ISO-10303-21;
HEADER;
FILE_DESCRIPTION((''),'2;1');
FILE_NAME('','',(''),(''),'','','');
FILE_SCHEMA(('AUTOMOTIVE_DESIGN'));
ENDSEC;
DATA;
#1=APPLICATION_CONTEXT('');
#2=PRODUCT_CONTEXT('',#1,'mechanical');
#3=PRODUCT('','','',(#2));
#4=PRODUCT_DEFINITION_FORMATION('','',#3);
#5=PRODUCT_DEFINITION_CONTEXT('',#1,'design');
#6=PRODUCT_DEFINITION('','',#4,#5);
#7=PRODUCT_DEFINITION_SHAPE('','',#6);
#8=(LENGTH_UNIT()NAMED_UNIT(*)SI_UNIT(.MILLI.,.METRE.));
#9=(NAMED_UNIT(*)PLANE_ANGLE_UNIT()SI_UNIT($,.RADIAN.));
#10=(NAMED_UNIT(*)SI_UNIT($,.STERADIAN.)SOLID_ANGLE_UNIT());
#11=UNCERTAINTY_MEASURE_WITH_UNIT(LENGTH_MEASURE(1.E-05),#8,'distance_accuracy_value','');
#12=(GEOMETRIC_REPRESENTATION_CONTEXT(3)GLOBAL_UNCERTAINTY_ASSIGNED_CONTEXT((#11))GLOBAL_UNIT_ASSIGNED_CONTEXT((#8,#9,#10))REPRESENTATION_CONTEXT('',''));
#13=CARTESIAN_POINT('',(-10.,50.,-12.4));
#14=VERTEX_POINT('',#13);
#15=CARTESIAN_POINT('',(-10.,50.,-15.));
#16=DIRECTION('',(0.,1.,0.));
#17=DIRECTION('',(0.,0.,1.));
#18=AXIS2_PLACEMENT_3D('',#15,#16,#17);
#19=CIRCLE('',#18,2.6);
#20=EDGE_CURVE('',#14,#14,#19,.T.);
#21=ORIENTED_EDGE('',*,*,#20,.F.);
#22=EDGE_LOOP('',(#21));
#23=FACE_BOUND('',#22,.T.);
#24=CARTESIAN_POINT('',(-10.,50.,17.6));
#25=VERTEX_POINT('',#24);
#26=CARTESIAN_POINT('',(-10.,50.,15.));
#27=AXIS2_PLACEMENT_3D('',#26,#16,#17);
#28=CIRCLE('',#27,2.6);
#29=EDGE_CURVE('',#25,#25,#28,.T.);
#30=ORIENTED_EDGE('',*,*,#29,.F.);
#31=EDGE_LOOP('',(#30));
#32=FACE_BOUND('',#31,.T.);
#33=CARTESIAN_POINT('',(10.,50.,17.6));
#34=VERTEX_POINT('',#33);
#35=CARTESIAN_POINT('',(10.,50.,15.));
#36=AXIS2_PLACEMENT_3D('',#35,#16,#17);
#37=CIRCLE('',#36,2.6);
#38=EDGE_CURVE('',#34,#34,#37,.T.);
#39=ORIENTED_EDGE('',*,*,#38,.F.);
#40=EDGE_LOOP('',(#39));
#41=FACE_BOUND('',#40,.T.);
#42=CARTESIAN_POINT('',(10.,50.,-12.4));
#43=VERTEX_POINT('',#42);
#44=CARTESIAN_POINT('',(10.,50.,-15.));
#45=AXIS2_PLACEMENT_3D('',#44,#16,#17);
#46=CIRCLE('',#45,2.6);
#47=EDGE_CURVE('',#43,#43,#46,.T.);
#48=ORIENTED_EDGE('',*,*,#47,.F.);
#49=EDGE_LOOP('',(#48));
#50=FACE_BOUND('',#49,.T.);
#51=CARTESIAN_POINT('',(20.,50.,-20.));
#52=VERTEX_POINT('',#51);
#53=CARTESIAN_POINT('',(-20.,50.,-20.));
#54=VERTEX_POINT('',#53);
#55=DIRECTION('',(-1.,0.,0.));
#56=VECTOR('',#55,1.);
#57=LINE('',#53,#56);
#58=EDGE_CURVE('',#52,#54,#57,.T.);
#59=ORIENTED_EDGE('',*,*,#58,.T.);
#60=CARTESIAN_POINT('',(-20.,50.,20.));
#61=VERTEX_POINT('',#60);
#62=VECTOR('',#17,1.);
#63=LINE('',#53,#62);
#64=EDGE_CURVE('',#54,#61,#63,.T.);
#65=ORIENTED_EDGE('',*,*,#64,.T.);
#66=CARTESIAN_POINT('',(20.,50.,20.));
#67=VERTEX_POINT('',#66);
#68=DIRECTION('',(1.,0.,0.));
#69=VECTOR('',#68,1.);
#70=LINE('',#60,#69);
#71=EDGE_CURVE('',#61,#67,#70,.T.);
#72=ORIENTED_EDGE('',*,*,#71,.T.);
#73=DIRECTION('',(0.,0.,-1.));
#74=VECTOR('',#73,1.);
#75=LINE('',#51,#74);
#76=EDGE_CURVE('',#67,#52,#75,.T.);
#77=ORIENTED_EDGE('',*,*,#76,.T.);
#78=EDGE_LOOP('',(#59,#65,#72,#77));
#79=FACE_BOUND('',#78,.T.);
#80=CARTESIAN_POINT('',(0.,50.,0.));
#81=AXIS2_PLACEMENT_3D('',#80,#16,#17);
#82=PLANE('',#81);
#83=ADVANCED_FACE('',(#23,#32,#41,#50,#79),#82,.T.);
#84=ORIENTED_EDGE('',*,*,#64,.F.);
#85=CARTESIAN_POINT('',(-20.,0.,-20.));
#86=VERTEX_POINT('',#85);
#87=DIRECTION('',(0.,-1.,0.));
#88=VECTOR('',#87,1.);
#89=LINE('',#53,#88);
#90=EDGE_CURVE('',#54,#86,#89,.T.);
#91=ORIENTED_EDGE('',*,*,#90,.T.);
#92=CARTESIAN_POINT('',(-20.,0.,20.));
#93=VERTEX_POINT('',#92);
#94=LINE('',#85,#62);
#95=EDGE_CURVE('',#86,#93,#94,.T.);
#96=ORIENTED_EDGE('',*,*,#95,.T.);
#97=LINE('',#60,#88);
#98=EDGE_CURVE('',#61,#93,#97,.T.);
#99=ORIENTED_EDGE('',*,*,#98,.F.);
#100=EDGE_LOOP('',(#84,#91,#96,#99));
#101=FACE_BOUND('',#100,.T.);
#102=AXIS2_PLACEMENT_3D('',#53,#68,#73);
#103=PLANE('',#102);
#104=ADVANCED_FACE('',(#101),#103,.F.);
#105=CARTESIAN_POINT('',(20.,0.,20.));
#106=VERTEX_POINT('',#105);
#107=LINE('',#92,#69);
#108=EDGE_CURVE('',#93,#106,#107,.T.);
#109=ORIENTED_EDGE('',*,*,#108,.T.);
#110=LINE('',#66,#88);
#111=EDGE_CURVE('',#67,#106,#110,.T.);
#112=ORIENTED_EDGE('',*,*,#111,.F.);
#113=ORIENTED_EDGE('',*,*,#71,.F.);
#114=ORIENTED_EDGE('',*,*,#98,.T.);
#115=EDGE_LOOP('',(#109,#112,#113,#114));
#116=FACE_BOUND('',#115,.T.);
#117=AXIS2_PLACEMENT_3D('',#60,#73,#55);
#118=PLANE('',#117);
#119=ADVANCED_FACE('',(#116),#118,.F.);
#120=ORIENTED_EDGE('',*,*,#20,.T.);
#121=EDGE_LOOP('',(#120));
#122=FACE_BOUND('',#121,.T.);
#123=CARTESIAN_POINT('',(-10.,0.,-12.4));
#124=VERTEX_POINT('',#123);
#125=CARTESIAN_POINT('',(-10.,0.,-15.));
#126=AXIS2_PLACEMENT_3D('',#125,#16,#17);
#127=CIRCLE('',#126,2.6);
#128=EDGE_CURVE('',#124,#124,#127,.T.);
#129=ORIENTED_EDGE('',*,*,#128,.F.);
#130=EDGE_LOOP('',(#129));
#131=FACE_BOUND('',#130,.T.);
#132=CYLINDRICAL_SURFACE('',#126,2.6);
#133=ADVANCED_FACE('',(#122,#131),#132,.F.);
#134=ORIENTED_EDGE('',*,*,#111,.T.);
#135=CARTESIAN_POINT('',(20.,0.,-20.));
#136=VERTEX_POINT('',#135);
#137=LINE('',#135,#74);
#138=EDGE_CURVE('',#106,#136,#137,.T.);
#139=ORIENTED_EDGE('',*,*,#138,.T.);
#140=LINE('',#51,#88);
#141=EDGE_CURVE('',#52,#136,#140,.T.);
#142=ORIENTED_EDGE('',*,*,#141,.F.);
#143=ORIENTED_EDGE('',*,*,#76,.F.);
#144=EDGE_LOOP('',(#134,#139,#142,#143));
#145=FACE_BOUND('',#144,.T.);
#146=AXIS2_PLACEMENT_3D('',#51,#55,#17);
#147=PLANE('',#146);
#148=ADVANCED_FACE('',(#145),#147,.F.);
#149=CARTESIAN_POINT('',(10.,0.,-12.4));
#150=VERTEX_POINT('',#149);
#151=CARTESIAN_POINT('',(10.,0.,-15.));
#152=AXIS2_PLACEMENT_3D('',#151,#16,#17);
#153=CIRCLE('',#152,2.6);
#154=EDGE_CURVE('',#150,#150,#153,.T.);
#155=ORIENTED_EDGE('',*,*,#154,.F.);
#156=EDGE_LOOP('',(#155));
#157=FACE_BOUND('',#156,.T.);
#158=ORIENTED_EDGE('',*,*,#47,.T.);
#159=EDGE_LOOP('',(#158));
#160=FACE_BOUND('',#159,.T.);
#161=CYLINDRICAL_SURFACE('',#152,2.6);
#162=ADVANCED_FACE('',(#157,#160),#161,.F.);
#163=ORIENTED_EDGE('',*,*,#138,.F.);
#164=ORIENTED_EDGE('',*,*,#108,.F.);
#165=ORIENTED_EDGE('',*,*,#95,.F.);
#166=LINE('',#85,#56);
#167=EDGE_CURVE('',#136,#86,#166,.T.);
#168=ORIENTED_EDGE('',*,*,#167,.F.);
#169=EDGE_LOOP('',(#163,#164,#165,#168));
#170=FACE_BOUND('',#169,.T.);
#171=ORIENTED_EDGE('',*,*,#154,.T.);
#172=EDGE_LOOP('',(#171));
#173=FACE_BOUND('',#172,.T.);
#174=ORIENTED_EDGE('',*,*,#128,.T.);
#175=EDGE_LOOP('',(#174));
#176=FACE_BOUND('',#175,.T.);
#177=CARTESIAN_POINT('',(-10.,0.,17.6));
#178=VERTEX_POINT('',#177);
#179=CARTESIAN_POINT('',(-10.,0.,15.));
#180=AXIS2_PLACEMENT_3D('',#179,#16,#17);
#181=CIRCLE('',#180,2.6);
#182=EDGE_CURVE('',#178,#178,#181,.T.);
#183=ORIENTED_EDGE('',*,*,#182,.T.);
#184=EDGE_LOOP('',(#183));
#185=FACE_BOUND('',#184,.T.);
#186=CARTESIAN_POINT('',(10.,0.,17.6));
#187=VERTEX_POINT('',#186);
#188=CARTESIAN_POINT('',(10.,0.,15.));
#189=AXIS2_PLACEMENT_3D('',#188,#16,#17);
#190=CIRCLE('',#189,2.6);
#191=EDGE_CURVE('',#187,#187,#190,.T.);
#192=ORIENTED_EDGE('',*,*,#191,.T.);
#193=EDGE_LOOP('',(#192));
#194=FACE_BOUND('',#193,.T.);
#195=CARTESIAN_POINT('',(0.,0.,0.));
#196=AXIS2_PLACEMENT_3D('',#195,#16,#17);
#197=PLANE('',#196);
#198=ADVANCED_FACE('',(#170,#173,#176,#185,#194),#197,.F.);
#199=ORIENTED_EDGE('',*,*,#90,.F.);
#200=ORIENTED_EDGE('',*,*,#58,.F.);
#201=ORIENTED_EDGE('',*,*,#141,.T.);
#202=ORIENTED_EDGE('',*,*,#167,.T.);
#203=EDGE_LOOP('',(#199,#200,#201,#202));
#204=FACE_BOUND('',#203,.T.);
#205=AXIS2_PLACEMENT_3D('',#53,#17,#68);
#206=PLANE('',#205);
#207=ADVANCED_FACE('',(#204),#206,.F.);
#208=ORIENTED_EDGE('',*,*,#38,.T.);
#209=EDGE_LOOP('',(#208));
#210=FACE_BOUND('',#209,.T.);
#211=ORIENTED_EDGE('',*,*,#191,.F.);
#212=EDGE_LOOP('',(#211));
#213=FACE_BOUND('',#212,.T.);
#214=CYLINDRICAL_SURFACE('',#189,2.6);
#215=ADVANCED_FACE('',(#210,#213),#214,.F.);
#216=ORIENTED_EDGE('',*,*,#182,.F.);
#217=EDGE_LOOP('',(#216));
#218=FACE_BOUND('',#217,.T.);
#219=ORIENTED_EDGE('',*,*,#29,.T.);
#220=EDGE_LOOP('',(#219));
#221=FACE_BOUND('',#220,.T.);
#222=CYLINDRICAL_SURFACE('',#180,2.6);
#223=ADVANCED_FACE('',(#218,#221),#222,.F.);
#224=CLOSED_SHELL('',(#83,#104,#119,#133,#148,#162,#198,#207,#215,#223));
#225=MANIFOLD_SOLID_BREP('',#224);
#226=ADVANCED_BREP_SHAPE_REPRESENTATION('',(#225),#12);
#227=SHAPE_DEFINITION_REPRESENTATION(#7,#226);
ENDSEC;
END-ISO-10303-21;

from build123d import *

# Parameters (mm, degrees)
SKETCH_1_W          = 40
SKETCH_1_H          = 40
EXTRUDE_2_DEPTH     = 50
SKETCH_2_R          = 2.6
CUT_EXTRUDE_1_DEPTH = 58.445626465


with BuildPart() as part:
    # 草图1 → 凸台-拉伸2 (new body)
    with BuildSketch(Plane(origin=(0, 0, 0), x_dir=(1, 0, 0), z_dir=(0, 1, 0))):
        Rectangle(SKETCH_1_W, SKETCH_1_H)
    extrude(amount=EXTRUDE_2_DEPTH)

    # 草图2 → 切除-拉伸1 (cut, through all)
    with BuildSketch(Plane(origin=(0, 50, 0), x_dir=(1, 0, 0), z_dir=(0, 1, 0))):
        with Locations(Location((10, 15, 0), (0, 0, 270))):
            Circle(SKETCH_2_R)
        with Locations(Location((-10, 15, 0), (0, 0, 270))):
            Circle(SKETCH_2_R)
        with Locations(Location((-10, -15, 0), (0, 0, 270))):
            Circle(SKETCH_2_R)
        with Locations(Location((10, -15, 0), (0, 0, 270))):
            Circle(SKETCH_2_R)
    extrude(amount=-CUT_EXTRUDE_1_DEPTH, mode=Mode.SUBTRACT)


solid = part.part
